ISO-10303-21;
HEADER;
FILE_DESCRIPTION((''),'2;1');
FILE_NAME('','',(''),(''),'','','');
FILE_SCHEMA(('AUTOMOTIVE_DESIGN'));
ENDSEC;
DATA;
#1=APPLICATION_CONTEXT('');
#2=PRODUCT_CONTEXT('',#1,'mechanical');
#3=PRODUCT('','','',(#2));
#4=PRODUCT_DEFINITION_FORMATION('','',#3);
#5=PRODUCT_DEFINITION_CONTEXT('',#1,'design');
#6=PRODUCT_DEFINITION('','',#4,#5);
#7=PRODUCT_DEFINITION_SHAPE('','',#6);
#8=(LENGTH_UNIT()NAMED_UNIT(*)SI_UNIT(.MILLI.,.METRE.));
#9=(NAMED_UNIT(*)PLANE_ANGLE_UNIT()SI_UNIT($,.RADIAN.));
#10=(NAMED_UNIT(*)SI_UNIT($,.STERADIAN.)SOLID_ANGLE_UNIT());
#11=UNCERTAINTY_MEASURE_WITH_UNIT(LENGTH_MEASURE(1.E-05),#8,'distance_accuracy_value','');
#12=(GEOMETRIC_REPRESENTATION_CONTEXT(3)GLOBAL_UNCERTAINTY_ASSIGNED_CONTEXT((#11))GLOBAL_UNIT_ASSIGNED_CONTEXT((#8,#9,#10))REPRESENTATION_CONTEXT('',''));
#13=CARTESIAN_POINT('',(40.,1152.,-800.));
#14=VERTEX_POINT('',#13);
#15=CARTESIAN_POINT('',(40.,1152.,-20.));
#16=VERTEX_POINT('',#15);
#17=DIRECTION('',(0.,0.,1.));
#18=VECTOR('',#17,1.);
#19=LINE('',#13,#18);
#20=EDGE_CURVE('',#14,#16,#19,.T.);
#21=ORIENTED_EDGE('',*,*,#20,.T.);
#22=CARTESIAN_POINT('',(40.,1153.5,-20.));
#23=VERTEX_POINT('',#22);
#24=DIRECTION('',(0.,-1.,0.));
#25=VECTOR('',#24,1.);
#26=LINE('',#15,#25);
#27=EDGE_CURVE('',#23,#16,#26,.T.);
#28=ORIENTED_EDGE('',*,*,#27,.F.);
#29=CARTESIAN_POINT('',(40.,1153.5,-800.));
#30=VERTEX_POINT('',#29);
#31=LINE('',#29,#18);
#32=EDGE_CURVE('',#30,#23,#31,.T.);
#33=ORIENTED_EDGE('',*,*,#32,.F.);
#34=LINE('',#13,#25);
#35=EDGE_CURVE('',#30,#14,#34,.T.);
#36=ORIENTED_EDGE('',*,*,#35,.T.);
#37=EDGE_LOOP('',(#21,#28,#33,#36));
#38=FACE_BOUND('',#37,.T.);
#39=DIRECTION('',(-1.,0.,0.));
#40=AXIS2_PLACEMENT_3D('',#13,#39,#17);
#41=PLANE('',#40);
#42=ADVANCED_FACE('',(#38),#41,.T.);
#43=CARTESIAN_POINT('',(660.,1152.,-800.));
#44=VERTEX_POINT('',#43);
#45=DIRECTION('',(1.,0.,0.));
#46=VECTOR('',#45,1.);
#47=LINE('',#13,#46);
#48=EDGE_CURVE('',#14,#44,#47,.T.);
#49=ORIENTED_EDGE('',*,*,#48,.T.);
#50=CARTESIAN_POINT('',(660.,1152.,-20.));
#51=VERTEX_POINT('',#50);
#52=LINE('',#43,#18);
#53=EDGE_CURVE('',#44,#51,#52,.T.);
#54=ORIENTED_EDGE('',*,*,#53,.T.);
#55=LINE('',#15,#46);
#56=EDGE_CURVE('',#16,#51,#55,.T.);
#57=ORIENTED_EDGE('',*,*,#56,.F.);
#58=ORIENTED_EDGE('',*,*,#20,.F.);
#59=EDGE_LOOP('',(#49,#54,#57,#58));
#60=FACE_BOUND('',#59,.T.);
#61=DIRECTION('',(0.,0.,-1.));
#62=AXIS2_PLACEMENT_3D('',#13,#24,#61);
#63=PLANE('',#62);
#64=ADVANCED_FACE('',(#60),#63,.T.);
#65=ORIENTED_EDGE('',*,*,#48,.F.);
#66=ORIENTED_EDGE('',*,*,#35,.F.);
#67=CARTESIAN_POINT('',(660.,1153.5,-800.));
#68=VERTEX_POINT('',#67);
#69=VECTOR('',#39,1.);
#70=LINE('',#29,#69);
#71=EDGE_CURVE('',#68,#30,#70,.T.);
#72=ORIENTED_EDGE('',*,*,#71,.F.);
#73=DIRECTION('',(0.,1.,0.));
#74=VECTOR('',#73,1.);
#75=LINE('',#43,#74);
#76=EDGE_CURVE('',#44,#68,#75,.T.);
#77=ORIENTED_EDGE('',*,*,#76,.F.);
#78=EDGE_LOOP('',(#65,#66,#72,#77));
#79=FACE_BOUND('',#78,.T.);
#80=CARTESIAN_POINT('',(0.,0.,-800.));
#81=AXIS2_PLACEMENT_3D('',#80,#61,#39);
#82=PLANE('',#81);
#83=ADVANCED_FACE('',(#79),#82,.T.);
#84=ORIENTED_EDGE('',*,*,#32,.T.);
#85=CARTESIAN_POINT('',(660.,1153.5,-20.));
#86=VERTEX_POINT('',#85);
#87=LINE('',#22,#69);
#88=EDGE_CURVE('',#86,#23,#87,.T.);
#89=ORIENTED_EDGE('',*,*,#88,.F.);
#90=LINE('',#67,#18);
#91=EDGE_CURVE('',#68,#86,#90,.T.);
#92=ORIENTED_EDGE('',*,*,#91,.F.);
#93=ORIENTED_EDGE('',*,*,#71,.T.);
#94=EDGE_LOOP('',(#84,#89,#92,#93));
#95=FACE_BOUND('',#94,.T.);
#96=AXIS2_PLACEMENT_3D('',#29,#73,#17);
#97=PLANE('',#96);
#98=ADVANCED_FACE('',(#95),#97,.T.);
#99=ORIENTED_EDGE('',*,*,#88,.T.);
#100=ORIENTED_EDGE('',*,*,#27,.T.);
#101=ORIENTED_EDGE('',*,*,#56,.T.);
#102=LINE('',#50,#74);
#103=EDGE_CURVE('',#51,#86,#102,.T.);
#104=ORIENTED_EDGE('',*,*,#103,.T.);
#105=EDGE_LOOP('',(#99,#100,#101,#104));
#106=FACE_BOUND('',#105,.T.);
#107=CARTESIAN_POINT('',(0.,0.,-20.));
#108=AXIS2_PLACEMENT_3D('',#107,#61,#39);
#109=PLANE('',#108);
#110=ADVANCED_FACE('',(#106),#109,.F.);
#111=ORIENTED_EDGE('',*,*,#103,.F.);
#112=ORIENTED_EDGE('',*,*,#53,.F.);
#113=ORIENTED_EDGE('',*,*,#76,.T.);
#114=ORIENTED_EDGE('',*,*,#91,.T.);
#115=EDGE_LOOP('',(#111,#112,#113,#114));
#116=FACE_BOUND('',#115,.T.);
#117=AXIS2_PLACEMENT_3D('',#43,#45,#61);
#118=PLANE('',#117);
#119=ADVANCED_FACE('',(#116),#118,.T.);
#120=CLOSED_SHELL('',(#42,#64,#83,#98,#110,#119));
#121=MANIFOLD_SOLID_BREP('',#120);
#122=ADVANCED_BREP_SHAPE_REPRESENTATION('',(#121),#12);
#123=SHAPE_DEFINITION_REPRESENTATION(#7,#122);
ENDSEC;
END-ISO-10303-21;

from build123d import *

# Parameters (mm, degrees)
PRESS_UC_RAFI_RAF_1_START = -20
SKETCH1_W                 = 620
SKETCH1_H                 = 1.5
PRESS_UC_RAFI_RAF_1_DEPTH = 780


with BuildPart() as part:
    # Sketch1 → PRESS_uc_rafi_raf_1 (new body)
    with BuildSketch(Plane.XY.offset(PRESS_UC_RAFI_RAF_1_START)):
        with Locations((350, 1152.75)):
            Rectangle(SKETCH1_W, SKETCH1_H)
    extrude(amount=-PRESS_UC_RAFI_RAF_1_DEPTH)


solid = part.part
